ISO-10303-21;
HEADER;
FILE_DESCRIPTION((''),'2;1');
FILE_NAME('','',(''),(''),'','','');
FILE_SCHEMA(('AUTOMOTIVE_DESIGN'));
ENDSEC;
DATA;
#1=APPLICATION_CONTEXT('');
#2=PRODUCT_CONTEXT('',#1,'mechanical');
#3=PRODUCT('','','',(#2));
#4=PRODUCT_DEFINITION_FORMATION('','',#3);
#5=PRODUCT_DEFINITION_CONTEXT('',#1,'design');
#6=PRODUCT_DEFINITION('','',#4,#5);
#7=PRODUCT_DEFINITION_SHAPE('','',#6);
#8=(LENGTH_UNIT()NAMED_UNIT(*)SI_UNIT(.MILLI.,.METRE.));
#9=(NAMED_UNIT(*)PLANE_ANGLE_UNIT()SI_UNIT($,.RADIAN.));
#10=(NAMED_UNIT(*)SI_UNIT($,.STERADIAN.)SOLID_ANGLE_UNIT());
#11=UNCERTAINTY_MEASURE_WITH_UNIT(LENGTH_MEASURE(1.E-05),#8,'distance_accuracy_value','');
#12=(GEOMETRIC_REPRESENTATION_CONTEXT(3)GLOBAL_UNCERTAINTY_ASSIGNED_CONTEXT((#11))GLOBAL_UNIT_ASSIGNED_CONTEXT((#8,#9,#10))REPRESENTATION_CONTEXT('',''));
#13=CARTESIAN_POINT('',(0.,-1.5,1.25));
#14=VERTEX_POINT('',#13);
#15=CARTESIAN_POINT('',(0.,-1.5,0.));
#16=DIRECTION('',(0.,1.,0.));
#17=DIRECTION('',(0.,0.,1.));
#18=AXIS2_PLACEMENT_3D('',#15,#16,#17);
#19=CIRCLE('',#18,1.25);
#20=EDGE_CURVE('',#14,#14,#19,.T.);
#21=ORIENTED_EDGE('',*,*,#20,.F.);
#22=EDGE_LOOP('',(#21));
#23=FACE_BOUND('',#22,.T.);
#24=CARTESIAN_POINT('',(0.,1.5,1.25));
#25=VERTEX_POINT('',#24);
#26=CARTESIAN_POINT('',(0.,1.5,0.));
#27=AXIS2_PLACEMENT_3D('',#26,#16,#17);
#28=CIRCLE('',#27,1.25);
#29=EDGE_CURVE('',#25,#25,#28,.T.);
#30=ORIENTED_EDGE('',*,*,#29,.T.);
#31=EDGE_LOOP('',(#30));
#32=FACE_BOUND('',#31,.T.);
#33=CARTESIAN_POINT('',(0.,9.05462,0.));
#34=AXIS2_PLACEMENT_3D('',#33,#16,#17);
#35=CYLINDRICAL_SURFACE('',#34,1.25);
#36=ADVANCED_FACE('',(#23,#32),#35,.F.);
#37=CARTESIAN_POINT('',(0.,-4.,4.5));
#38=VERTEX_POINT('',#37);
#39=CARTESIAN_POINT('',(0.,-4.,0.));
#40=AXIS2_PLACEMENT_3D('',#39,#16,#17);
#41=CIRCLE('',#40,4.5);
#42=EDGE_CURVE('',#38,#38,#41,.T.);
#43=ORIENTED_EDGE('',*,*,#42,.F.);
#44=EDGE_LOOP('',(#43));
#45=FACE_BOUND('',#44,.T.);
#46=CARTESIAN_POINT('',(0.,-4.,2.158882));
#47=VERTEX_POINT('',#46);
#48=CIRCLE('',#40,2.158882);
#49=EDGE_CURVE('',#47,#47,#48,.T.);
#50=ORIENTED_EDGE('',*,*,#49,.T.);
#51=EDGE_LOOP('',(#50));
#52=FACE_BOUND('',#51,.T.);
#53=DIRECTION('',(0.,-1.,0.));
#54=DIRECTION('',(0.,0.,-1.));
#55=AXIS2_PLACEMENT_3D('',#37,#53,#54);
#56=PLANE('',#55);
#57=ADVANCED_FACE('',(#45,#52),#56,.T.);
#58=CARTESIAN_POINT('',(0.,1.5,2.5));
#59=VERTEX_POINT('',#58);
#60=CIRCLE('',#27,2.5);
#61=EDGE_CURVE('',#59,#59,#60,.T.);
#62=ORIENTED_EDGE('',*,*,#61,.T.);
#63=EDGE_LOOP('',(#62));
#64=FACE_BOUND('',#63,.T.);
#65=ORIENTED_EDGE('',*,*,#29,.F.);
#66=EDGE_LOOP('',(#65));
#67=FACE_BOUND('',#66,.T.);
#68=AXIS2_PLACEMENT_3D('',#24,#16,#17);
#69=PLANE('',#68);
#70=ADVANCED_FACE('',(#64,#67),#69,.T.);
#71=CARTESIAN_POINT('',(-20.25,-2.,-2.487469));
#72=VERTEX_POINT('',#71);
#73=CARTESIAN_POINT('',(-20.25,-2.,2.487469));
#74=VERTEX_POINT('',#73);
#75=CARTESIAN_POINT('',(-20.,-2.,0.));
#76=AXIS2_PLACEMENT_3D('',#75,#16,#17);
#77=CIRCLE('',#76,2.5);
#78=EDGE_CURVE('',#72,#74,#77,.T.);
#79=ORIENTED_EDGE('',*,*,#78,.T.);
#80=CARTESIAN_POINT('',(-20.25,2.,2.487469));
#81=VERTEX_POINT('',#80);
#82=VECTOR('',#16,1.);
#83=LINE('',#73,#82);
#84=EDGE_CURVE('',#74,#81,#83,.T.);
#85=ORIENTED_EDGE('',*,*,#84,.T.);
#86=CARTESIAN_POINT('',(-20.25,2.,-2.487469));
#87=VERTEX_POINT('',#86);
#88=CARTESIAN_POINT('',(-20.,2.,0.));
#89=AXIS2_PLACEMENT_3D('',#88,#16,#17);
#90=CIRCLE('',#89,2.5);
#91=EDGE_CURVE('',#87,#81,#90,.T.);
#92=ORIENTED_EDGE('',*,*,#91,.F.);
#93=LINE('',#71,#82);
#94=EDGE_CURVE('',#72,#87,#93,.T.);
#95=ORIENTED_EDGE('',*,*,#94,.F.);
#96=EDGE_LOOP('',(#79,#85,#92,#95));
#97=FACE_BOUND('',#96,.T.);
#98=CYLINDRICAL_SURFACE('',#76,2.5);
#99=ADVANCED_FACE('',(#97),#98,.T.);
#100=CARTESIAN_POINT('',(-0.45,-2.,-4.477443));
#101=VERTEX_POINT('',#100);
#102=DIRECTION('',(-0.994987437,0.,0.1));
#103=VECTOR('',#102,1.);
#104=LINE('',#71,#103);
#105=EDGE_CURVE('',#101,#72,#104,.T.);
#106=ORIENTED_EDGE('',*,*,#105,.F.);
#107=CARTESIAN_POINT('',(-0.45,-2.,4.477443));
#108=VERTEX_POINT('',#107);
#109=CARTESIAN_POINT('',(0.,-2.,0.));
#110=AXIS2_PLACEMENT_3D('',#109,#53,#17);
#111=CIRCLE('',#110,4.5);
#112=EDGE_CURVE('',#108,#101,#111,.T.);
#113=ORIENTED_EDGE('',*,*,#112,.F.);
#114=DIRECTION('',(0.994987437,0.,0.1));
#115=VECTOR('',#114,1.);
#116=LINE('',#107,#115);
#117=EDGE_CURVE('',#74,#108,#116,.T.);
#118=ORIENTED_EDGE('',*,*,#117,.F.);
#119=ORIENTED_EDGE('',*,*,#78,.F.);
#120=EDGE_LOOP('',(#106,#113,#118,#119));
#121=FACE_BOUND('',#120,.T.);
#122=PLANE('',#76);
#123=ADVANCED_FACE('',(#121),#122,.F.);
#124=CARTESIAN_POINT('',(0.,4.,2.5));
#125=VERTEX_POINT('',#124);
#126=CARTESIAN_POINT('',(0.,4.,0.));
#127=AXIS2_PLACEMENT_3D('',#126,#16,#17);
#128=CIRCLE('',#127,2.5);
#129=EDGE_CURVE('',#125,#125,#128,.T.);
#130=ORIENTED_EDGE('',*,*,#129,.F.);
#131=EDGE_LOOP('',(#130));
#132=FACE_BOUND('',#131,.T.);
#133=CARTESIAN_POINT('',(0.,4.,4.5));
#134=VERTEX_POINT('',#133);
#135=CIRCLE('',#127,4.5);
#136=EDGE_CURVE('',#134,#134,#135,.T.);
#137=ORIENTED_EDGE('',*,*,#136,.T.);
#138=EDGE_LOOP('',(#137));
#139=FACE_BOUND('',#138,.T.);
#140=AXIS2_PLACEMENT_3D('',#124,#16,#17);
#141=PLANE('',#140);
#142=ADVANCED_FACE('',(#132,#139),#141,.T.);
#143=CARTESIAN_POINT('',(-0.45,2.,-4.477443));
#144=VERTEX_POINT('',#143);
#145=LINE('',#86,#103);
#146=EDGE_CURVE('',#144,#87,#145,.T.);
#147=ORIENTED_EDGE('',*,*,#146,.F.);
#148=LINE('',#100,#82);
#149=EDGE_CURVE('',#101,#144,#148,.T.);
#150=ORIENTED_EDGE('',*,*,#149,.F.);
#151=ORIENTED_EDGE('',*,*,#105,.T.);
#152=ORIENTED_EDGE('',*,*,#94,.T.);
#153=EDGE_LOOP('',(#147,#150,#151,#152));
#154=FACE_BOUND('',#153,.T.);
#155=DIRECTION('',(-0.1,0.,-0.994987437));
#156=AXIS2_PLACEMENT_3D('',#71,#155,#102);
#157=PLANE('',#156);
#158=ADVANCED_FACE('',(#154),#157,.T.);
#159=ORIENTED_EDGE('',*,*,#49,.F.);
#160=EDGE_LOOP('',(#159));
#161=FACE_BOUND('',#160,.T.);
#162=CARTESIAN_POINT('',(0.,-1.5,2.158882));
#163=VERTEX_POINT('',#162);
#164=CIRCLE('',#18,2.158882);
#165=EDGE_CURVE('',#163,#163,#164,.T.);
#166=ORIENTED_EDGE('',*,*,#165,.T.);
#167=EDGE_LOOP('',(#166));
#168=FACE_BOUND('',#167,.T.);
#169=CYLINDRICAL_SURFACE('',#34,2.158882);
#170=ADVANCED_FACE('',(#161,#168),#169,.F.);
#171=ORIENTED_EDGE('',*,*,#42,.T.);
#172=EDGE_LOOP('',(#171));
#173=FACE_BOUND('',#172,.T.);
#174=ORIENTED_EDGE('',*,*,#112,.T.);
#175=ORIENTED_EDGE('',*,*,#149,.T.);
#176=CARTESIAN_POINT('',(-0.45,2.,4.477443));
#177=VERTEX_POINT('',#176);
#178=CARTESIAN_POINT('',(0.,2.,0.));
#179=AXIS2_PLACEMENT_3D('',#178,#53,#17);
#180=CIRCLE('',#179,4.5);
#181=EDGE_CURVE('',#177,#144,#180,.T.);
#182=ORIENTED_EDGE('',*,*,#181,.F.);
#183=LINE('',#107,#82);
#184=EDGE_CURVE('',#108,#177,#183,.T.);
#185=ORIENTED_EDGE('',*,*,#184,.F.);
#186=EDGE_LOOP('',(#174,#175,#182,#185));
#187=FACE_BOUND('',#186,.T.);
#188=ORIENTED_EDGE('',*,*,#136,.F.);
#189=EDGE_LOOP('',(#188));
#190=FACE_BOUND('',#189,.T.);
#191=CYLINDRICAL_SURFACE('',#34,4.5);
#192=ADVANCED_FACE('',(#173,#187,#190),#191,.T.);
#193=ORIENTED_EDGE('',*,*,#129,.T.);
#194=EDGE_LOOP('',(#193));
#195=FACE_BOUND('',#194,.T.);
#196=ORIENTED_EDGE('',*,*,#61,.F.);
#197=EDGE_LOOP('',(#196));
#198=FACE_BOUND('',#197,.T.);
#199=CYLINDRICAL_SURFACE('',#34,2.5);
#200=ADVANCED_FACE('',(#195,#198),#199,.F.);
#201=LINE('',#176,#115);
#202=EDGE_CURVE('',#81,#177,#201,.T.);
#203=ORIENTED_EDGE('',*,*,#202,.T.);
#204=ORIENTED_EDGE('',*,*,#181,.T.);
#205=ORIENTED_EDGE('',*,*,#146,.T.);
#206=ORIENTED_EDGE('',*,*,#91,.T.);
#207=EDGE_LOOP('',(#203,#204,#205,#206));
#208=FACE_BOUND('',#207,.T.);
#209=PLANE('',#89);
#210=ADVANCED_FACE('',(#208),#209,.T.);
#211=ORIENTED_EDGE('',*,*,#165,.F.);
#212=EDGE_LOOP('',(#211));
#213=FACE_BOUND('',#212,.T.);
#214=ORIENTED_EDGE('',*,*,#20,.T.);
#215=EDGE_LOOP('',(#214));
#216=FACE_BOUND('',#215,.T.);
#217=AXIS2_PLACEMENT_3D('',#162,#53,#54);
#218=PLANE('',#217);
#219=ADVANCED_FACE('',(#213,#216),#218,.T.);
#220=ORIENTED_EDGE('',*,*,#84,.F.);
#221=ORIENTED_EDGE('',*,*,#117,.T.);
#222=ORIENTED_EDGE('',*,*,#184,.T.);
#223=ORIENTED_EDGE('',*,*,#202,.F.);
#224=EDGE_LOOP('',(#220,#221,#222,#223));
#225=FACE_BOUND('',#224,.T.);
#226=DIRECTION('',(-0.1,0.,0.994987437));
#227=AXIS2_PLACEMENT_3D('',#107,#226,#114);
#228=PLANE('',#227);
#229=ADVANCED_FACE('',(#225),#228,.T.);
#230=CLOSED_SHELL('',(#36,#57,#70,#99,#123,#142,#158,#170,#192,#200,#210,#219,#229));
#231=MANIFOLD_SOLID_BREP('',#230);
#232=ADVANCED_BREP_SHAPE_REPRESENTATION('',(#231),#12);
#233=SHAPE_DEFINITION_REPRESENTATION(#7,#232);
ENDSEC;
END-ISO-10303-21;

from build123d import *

# Parameters (mm, degrees)
SALIENTE_EXTRUIR1_DEPTH      = 2
SALIENTE_EXTRUIR1_DEPTH_BACK = 2


with BuildPart() as part:
    # Croquis1 → Revolución1 (revolve)
    with BuildSketch(Plane(origin=(0, 0, 0), x_dir=(0, 0, -1), z_dir=(1, 0, 0))):
        Polygon((-4.5, 4), (-4.5, -4), (-2.158881548, -4), (-2.158881548, -1.5), (-1.25, -1.5), (-1.25, 1.5), (-2.5, 1.5), (-2.5, 4), align=None)
    revolve(axis=Axis((0, 9.054619894, 0), (0, -1, 0)))

    # Croquis2 → Saliente-Extruir1 (add, two sides)
    with BuildSketch(Plane(origin=(0, 0, 0), x_dir=(1, 0, 0), z_dir=(0, 1, 0))) as saliente_extruir1_sk:
        with BuildLine():
            Line((-20.25, 2.487468593), (-0.45, 4.477443467))
            ThreePointArc((-0.45, 4.477443467), (-4.5, 0), (-0.45, -4.477443467))
            Line((-0.45, -4.477443467), (-20.25, -2.487468593))
            ThreePointArc((-20.25, -2.487468593), (-22.5, 0), (-20.25, 2.487468593))
        make_face()
    extrude(amount=SALIENTE_EXTRUIR1_DEPTH)
    extrude(saliente_extruir1_sk.sketch, amount=-SALIENTE_EXTRUIR1_DEPTH_BACK)


solid = part.part
